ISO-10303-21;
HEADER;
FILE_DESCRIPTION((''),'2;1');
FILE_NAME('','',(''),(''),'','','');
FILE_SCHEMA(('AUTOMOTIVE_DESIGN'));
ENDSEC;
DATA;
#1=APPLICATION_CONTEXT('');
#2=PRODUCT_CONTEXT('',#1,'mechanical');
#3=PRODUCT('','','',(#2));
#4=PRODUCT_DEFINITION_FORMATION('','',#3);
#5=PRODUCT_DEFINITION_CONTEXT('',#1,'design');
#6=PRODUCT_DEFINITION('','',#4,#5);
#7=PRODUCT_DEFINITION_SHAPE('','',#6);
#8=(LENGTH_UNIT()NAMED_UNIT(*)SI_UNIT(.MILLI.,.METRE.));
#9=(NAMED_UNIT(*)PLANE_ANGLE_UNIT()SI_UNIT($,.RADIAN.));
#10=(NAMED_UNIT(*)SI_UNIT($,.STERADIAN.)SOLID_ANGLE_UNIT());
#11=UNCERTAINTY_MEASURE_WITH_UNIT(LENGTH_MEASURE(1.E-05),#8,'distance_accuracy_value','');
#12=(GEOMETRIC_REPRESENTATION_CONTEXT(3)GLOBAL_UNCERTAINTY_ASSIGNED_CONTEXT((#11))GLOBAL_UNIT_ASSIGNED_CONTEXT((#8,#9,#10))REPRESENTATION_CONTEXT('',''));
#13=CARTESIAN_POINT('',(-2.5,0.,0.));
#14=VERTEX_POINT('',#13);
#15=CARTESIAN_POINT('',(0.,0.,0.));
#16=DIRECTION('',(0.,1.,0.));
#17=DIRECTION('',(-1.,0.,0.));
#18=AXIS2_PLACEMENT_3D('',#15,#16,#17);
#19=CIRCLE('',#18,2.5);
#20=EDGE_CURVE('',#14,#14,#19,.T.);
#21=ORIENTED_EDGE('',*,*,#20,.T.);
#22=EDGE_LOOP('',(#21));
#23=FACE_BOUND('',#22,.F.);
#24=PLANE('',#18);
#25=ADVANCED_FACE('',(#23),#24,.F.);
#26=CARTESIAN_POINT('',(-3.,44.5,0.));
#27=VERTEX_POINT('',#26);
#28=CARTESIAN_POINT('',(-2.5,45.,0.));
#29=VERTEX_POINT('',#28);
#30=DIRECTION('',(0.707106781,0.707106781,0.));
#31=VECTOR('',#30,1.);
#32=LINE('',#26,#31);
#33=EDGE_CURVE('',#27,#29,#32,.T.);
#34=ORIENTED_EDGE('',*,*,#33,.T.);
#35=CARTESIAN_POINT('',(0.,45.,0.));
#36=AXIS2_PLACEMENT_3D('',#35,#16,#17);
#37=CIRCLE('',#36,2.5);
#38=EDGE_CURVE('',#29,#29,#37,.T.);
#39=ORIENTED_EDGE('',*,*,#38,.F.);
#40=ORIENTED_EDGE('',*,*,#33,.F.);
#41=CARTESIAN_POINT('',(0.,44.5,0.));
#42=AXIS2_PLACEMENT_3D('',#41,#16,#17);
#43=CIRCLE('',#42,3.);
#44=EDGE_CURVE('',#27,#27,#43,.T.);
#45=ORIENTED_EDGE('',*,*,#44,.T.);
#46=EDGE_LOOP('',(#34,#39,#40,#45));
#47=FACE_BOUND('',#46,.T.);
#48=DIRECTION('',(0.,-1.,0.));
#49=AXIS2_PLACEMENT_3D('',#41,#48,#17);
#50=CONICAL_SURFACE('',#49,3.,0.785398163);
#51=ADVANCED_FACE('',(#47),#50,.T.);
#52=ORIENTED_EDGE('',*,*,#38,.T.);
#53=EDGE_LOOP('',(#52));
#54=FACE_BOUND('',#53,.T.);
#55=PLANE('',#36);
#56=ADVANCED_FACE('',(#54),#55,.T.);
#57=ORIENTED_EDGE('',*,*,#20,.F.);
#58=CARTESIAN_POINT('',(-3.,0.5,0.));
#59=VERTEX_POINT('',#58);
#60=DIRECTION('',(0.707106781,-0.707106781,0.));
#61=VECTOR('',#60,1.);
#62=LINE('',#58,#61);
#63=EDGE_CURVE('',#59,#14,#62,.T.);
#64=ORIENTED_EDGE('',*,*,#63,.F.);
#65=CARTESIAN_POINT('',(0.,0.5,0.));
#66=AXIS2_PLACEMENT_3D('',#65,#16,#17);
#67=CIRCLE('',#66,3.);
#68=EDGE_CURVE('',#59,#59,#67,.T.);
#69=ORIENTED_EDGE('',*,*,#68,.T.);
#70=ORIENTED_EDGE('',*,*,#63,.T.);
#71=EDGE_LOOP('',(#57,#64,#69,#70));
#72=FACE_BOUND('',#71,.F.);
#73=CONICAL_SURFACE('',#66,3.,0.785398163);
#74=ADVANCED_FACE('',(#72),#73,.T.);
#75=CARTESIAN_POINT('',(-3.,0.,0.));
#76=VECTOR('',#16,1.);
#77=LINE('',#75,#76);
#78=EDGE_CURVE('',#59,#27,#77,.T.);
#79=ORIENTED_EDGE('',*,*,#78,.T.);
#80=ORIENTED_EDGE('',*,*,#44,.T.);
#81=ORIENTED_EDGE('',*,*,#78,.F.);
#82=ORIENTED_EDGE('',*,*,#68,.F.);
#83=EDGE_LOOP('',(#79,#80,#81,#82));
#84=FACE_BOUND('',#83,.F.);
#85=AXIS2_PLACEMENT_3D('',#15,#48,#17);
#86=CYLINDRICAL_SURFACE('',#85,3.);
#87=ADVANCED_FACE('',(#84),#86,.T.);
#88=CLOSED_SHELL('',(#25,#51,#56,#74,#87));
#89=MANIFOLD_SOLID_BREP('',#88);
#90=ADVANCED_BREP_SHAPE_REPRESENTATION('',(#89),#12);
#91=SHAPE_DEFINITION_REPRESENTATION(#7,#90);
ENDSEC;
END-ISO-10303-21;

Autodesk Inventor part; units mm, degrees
ref_plane "YZ Plane" through (0, 0, 0) normal (1, 0, 0) x (0, 1, 0)
ref_plane "XZ Plane" through (0, 0, 0) normal (0, 1, 0) x (-1, 0, 0)
ref_plane "XY Plane" through (0, 0, 0) normal (0, 0, 1) x (1, 0, 0)
sketch "Sketch1" plane through (0, 0, 0) normal (0, 1, 0) x (-1, 0, 0)
  circle A0 centre (0, 0) radius 3
  dimension "d0" = 6
extrude "Extrusion1" add sketch "Sketch1" along normal blind 45
chamfer "Chamfer1" distance 0.5 angle 45 2 edges at (3, 45, 0) (3, 0, 0)
properties part number "pin_6_45"
